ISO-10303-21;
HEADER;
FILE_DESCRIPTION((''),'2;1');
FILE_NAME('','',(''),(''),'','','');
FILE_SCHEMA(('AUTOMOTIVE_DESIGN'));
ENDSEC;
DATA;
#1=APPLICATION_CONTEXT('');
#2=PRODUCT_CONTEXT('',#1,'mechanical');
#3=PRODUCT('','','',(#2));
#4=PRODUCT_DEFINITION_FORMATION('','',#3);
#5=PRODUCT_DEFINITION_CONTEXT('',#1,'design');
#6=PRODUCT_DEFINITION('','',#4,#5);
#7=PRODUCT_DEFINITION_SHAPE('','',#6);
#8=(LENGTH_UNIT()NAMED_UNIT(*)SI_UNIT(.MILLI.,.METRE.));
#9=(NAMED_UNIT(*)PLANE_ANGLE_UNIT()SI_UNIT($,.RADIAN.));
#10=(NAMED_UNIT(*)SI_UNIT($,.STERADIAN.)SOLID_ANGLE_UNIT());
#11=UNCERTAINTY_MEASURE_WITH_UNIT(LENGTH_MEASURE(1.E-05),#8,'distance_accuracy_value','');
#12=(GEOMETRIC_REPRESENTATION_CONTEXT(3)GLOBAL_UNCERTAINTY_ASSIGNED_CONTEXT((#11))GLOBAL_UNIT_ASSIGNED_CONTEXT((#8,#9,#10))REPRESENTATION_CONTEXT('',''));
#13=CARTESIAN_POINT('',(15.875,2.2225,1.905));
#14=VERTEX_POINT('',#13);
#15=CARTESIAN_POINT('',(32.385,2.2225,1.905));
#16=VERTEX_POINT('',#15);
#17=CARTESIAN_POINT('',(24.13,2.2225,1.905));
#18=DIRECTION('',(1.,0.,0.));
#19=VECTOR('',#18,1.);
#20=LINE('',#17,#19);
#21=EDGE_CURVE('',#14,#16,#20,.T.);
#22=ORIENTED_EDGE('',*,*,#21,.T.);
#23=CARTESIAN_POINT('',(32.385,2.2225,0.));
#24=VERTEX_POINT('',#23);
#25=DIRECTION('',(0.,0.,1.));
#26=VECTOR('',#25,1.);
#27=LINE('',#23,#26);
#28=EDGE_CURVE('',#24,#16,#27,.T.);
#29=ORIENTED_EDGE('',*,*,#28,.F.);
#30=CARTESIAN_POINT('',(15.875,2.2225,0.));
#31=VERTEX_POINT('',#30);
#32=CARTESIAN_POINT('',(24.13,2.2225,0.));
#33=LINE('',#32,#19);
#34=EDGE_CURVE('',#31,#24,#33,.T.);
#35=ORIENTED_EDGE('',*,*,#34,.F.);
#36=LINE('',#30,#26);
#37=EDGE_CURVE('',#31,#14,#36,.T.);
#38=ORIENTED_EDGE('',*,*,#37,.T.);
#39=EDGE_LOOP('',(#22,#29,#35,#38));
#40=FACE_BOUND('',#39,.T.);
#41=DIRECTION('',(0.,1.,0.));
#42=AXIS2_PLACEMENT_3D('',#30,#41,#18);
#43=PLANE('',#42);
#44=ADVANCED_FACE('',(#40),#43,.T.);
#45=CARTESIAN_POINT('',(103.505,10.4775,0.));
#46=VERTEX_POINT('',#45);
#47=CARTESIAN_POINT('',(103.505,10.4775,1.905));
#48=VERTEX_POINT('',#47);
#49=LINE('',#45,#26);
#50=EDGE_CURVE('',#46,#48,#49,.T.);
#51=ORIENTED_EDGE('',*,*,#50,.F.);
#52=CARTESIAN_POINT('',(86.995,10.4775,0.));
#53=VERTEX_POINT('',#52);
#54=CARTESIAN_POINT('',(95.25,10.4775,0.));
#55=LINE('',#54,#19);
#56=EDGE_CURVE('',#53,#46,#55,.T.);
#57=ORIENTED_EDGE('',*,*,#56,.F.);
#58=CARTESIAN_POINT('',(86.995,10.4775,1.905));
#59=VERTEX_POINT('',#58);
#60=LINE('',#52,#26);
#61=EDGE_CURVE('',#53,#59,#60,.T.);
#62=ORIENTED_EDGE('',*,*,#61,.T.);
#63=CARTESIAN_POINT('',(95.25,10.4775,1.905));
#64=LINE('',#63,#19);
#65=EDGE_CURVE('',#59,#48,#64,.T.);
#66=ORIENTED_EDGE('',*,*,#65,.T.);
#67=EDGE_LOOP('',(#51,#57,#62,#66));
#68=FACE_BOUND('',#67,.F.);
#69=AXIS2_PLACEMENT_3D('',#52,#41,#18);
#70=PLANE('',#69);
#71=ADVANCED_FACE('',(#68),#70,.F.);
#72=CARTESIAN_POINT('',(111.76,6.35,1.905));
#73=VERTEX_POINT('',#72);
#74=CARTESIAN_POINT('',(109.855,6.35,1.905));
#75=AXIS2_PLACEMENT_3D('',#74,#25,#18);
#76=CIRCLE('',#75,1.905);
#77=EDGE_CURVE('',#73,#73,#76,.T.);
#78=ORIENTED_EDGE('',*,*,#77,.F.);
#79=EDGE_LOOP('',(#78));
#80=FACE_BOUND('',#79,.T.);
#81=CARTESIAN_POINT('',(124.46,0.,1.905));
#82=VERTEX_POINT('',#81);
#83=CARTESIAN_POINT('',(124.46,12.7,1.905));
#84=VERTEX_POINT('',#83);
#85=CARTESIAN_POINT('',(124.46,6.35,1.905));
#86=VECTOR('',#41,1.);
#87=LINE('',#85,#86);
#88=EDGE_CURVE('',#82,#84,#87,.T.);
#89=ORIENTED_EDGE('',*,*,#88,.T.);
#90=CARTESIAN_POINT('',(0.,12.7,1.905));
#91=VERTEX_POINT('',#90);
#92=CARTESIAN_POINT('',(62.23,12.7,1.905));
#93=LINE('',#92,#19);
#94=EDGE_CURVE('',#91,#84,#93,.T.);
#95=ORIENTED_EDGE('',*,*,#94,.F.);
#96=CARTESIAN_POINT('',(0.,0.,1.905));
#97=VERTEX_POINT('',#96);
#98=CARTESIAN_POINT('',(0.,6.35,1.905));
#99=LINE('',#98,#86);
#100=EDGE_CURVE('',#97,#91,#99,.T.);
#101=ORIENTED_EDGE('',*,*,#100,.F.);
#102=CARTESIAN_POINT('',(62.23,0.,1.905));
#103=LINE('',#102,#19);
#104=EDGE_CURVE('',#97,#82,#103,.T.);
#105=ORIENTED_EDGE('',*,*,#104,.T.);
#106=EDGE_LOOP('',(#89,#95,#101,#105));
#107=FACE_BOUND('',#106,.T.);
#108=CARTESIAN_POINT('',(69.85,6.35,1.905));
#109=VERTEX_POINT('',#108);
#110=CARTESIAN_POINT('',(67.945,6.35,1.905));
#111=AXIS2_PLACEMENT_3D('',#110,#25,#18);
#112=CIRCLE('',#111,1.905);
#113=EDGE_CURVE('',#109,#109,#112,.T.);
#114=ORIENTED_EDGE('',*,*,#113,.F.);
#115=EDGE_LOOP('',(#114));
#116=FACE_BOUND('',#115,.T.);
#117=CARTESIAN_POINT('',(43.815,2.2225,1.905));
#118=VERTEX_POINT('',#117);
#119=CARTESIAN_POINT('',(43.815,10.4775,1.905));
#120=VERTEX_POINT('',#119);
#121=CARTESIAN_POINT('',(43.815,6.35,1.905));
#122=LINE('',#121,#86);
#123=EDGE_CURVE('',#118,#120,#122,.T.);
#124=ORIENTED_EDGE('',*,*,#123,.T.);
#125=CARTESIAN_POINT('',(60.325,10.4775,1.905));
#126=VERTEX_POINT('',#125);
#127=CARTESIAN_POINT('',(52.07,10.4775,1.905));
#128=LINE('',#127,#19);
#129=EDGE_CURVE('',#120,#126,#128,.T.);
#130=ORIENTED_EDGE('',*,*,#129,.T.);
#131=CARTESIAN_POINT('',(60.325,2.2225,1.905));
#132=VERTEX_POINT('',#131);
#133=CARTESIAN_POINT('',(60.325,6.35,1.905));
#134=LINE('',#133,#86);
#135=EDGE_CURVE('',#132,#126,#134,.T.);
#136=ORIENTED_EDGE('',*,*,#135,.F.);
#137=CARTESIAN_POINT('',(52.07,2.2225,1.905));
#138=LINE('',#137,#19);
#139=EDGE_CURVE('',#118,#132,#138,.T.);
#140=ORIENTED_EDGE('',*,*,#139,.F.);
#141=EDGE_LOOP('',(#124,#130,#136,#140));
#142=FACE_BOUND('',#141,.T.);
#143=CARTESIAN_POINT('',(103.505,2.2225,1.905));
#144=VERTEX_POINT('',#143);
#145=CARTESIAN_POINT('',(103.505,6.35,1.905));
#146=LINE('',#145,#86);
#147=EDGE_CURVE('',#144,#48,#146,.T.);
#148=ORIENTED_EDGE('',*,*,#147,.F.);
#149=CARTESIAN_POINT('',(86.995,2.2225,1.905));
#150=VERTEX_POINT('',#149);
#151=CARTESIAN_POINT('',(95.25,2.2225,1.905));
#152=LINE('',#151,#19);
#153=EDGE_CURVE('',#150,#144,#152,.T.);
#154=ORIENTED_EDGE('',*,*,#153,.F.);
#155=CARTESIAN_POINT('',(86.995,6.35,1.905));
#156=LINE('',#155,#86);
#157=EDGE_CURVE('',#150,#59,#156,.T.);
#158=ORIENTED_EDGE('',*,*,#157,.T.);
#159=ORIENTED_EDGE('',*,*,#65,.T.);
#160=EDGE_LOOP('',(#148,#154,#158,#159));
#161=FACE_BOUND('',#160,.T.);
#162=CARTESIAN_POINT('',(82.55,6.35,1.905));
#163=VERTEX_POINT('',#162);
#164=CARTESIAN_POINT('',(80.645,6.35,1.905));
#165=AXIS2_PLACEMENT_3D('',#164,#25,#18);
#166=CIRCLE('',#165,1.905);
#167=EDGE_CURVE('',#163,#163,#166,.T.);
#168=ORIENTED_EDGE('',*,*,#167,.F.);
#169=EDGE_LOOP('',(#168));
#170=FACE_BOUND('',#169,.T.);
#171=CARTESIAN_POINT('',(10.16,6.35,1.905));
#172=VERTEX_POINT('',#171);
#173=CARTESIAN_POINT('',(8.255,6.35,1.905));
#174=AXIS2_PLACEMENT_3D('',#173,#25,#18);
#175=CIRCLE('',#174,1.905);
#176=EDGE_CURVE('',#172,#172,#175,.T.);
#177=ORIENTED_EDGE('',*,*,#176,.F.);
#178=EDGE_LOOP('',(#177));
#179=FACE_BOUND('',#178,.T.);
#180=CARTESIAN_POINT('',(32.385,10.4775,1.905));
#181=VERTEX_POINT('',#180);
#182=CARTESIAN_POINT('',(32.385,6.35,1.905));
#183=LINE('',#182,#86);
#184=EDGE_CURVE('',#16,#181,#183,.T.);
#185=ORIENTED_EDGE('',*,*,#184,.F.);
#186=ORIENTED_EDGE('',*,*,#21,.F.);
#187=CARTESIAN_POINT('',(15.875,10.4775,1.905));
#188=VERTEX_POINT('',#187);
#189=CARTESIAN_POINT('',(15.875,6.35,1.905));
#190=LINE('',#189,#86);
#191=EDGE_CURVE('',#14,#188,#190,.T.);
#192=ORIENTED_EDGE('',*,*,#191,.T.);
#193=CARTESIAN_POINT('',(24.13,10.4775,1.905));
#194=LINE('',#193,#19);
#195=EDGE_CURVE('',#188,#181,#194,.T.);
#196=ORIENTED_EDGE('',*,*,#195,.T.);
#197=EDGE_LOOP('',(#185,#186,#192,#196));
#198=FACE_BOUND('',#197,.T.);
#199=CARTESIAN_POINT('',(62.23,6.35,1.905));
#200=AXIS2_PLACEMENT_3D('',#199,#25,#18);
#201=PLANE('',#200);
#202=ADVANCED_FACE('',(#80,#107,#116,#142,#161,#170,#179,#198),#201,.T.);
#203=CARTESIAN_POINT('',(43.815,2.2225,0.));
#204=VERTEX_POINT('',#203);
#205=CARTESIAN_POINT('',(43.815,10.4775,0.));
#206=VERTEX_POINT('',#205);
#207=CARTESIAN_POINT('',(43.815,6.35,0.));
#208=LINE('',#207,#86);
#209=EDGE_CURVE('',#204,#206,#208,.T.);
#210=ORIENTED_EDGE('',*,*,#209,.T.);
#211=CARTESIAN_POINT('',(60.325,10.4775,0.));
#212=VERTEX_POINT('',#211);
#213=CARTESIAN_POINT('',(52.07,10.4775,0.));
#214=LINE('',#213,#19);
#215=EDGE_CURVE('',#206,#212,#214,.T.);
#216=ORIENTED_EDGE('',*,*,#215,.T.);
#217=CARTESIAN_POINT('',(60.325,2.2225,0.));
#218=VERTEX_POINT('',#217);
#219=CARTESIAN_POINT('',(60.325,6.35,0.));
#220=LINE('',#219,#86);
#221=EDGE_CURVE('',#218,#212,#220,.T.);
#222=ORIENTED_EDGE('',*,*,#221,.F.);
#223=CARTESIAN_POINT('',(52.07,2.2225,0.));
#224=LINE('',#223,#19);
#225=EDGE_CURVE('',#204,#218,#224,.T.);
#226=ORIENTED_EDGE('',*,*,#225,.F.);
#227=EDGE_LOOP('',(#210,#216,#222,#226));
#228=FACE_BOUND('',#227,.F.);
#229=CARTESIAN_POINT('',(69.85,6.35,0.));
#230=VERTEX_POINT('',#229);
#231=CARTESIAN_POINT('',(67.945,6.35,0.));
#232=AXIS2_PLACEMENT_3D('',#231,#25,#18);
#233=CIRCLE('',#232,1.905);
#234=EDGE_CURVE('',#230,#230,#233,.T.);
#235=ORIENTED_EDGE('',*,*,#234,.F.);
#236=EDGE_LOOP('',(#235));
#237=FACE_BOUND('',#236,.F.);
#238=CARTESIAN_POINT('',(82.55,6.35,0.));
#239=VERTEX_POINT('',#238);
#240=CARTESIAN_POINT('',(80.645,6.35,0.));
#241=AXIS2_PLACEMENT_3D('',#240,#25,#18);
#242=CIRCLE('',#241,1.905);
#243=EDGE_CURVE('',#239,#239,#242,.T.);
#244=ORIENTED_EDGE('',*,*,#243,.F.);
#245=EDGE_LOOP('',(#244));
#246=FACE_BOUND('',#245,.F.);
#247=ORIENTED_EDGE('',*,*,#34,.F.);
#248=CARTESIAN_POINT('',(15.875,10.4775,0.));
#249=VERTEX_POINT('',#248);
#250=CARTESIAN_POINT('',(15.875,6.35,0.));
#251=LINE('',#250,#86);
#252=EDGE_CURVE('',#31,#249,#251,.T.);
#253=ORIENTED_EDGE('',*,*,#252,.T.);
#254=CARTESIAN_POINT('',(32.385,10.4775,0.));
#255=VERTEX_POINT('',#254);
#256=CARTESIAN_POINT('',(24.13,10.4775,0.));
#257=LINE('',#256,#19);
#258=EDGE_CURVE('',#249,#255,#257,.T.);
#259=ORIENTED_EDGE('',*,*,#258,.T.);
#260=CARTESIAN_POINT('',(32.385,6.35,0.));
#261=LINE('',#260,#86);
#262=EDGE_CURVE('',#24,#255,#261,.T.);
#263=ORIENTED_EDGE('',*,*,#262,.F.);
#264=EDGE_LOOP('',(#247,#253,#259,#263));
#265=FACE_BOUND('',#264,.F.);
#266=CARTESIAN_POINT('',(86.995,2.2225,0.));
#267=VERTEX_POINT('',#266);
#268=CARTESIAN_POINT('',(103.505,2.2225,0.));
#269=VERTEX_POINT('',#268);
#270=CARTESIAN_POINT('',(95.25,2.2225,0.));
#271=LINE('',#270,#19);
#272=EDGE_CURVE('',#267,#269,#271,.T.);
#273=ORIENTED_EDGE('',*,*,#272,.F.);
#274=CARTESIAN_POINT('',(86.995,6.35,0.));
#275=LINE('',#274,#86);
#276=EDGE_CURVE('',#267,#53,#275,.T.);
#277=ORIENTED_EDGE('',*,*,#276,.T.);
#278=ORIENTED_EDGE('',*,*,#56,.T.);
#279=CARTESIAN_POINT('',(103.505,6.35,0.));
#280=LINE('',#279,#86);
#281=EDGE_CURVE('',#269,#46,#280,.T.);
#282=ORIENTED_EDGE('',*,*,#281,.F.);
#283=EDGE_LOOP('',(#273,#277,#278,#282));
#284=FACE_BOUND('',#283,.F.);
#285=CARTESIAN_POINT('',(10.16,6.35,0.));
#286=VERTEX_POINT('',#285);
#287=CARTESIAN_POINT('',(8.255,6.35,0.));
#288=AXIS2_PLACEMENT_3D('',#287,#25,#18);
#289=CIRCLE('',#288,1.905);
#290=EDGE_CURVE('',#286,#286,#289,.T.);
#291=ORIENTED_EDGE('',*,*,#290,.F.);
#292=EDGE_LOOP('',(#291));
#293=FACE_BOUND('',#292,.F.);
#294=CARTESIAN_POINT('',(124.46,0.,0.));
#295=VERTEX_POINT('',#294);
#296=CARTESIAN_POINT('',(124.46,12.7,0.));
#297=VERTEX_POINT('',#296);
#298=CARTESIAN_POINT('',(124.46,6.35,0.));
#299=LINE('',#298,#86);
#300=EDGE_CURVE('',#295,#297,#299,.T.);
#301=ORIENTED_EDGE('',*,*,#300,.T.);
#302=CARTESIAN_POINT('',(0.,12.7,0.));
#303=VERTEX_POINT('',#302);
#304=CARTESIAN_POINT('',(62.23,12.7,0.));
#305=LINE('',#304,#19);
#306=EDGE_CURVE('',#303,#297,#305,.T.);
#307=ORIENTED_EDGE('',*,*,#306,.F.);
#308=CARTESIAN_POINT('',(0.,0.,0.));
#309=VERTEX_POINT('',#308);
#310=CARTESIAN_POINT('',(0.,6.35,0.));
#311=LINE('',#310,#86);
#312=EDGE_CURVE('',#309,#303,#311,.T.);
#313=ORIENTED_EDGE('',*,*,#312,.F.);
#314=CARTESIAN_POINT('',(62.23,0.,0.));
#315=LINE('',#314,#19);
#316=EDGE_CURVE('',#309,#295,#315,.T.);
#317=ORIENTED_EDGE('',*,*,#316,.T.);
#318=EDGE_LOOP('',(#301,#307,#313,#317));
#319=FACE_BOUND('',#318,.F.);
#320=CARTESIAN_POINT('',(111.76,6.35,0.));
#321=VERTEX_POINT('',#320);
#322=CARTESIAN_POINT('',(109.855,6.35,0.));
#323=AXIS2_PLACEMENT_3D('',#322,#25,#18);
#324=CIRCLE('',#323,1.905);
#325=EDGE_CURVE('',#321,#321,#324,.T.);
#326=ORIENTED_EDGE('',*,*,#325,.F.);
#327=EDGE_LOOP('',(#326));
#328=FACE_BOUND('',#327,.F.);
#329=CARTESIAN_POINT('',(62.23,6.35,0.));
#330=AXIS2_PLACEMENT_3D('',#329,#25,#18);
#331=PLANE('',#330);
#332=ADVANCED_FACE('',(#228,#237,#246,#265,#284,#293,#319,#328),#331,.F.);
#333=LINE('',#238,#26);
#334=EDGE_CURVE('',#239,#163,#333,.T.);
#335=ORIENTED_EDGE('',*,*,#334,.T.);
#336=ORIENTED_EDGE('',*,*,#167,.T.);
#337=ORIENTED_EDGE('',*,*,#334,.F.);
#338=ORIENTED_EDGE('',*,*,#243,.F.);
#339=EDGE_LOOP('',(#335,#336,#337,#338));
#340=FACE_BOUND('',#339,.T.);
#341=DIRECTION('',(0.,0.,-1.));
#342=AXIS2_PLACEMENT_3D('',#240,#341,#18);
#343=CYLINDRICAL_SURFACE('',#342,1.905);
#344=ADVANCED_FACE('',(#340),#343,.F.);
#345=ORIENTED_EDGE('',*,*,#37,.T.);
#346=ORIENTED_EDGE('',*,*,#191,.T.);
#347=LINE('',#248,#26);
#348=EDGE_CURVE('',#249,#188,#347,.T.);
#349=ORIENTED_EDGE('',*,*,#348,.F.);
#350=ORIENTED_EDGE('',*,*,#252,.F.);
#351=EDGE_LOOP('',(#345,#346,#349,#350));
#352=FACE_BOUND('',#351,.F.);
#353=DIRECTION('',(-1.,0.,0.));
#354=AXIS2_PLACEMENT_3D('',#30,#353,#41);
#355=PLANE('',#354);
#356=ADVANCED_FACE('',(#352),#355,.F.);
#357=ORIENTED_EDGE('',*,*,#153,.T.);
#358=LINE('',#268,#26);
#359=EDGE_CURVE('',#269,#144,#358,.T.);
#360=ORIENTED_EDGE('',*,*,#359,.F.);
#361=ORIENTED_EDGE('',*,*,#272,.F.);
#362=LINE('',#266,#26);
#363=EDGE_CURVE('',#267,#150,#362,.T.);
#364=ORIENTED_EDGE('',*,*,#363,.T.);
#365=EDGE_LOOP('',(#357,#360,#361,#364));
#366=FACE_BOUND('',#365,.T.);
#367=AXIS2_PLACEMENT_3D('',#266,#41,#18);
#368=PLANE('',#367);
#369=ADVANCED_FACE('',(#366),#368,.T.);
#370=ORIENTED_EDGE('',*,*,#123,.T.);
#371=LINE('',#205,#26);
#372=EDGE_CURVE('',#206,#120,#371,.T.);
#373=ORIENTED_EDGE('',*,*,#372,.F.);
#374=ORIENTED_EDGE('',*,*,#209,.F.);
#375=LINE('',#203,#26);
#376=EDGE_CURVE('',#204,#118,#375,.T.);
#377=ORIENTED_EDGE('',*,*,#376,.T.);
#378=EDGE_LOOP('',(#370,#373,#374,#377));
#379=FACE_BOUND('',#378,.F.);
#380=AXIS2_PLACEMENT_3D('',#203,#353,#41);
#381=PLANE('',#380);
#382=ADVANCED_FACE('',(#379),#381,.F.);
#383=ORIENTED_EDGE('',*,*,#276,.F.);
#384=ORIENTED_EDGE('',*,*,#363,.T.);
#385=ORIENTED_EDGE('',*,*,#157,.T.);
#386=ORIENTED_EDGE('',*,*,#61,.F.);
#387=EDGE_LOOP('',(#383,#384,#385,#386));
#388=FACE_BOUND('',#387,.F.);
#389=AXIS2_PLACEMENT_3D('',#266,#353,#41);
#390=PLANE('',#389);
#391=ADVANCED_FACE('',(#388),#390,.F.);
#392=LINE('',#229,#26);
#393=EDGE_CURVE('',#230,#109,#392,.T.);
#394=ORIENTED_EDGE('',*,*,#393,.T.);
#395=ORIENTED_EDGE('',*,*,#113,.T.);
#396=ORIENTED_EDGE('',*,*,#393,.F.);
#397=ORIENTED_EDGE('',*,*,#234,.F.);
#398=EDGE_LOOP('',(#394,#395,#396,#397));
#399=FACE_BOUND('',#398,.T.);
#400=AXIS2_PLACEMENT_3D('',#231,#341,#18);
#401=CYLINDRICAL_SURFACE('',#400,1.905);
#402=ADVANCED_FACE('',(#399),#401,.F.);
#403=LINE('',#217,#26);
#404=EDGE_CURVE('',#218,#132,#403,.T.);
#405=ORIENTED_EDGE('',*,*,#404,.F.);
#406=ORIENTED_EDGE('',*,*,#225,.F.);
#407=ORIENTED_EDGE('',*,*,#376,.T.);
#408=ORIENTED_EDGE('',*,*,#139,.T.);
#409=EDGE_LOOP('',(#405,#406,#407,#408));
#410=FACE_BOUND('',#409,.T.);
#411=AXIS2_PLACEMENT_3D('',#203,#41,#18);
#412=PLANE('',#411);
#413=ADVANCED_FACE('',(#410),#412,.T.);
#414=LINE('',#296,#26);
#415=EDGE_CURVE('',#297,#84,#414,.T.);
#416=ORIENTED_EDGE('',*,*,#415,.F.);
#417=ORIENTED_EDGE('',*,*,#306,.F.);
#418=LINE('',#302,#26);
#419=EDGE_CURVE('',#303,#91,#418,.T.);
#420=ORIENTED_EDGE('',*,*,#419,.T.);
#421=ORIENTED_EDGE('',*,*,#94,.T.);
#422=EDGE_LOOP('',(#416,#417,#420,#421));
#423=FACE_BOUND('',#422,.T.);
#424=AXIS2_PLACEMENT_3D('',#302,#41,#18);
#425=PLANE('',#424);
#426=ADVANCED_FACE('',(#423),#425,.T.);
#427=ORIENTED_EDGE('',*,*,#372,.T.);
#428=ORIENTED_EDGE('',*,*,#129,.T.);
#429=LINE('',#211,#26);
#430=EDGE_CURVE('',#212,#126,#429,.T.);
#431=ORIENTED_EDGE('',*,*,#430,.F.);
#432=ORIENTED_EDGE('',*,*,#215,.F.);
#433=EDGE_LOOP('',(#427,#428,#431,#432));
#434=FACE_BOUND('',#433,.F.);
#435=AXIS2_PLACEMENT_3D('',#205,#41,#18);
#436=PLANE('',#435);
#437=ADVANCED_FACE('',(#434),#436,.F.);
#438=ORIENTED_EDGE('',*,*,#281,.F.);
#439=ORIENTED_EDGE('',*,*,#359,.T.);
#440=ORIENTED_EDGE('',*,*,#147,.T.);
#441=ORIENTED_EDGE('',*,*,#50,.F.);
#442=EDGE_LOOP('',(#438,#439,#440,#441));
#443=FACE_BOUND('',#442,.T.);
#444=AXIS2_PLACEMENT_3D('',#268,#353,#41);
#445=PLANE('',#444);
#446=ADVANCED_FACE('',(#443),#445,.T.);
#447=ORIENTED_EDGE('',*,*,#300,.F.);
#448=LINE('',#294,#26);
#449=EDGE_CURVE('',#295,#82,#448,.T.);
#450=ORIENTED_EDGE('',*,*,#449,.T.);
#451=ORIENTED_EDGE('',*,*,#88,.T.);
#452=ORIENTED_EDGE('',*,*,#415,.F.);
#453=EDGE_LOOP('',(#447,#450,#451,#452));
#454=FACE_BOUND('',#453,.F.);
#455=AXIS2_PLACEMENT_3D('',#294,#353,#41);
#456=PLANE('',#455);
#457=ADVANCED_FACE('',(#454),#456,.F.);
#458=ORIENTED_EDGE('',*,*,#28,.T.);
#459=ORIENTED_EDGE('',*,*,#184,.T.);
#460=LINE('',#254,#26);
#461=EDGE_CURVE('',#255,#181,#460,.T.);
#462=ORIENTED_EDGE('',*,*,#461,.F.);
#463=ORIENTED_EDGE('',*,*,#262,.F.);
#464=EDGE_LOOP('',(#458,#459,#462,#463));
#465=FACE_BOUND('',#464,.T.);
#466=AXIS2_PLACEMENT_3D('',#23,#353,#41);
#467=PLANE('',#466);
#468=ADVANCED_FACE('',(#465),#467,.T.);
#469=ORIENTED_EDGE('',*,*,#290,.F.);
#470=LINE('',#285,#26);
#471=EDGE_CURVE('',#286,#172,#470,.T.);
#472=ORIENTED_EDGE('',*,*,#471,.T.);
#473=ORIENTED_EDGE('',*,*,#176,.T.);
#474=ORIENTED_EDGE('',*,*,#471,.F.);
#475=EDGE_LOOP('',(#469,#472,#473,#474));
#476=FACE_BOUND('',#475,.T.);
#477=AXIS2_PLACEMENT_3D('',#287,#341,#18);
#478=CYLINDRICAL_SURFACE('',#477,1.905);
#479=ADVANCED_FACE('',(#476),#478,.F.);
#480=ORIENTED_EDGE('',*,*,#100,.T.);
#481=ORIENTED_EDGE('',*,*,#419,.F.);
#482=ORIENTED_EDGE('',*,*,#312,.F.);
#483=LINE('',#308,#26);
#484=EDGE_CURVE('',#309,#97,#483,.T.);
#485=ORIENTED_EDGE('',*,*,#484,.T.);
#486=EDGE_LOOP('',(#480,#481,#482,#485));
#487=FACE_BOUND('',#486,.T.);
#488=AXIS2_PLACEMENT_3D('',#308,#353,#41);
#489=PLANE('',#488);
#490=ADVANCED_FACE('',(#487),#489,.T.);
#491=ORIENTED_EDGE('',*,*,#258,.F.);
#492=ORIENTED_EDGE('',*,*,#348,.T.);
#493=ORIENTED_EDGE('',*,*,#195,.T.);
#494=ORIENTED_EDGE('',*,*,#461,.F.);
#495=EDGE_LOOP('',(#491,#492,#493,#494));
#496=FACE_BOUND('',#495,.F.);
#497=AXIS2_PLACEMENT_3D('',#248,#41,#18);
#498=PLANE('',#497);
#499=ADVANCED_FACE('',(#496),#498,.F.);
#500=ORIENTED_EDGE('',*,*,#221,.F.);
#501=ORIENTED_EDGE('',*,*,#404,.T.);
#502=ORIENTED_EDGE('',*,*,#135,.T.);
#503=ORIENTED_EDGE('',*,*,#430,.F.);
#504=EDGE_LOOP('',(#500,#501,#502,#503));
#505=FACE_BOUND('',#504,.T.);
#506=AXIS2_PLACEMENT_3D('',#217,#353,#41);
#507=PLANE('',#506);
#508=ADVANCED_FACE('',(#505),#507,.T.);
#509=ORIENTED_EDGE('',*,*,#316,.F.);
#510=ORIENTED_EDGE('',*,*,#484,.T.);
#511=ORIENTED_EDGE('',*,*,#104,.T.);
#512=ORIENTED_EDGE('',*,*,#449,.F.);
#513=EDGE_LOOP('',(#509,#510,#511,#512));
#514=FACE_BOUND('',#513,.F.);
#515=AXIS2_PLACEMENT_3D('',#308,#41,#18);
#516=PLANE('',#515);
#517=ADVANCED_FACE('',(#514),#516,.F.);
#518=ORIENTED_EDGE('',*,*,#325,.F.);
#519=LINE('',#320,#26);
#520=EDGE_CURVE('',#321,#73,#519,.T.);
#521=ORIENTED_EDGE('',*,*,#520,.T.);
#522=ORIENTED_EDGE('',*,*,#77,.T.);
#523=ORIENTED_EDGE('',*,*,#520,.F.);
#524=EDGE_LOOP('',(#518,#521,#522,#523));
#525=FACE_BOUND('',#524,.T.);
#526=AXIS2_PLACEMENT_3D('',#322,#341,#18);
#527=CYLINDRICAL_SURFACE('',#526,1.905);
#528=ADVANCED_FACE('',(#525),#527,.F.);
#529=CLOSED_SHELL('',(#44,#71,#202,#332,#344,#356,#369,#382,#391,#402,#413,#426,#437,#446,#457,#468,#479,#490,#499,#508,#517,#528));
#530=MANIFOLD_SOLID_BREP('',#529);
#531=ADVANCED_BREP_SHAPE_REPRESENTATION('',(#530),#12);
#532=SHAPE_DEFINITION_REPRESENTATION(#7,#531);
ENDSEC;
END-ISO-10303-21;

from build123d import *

# Parameters (mm, degrees)
F0_W     = 124.46
F0_H     = 12.7
F0_R     = 1.905
F0_W_2   = 16.51
F0_H_2   = 8.255
F1_DEPTH = 1.905


with BuildPart() as f1:
    # F0 (on Top) → F1 (new body)
    with BuildSketch(Plane.XY):
        with Locations((62.23, 6.35)):
            Rectangle(F0_W, F0_H)
        with Locations((8.255, 6.35)):
            Circle(F0_R, mode=Mode.SUBTRACT)
        with Locations((24.13, 6.35)):
            Rectangle(F0_W_2, F0_H_2, mode=Mode.SUBTRACT)
        with Locations((52.07, 6.35)):
            Rectangle(F0_W_2, F0_H_2, mode=Mode.SUBTRACT)
        with Locations((67.945, 6.35)):
            Circle(F0_R, mode=Mode.SUBTRACT)
        with Locations((80.645, 6.35)):
            Circle(F0_R, mode=Mode.SUBTRACT)
        with Locations((95.25, 6.35)):
            Rectangle(F0_W_2, F0_H_2, mode=Mode.SUBTRACT)
        with Locations((109.855, 6.35)):
            Circle(F0_R, mode=Mode.SUBTRACT)
    extrude(amount=F1_DEPTH)


solid = f1.part
